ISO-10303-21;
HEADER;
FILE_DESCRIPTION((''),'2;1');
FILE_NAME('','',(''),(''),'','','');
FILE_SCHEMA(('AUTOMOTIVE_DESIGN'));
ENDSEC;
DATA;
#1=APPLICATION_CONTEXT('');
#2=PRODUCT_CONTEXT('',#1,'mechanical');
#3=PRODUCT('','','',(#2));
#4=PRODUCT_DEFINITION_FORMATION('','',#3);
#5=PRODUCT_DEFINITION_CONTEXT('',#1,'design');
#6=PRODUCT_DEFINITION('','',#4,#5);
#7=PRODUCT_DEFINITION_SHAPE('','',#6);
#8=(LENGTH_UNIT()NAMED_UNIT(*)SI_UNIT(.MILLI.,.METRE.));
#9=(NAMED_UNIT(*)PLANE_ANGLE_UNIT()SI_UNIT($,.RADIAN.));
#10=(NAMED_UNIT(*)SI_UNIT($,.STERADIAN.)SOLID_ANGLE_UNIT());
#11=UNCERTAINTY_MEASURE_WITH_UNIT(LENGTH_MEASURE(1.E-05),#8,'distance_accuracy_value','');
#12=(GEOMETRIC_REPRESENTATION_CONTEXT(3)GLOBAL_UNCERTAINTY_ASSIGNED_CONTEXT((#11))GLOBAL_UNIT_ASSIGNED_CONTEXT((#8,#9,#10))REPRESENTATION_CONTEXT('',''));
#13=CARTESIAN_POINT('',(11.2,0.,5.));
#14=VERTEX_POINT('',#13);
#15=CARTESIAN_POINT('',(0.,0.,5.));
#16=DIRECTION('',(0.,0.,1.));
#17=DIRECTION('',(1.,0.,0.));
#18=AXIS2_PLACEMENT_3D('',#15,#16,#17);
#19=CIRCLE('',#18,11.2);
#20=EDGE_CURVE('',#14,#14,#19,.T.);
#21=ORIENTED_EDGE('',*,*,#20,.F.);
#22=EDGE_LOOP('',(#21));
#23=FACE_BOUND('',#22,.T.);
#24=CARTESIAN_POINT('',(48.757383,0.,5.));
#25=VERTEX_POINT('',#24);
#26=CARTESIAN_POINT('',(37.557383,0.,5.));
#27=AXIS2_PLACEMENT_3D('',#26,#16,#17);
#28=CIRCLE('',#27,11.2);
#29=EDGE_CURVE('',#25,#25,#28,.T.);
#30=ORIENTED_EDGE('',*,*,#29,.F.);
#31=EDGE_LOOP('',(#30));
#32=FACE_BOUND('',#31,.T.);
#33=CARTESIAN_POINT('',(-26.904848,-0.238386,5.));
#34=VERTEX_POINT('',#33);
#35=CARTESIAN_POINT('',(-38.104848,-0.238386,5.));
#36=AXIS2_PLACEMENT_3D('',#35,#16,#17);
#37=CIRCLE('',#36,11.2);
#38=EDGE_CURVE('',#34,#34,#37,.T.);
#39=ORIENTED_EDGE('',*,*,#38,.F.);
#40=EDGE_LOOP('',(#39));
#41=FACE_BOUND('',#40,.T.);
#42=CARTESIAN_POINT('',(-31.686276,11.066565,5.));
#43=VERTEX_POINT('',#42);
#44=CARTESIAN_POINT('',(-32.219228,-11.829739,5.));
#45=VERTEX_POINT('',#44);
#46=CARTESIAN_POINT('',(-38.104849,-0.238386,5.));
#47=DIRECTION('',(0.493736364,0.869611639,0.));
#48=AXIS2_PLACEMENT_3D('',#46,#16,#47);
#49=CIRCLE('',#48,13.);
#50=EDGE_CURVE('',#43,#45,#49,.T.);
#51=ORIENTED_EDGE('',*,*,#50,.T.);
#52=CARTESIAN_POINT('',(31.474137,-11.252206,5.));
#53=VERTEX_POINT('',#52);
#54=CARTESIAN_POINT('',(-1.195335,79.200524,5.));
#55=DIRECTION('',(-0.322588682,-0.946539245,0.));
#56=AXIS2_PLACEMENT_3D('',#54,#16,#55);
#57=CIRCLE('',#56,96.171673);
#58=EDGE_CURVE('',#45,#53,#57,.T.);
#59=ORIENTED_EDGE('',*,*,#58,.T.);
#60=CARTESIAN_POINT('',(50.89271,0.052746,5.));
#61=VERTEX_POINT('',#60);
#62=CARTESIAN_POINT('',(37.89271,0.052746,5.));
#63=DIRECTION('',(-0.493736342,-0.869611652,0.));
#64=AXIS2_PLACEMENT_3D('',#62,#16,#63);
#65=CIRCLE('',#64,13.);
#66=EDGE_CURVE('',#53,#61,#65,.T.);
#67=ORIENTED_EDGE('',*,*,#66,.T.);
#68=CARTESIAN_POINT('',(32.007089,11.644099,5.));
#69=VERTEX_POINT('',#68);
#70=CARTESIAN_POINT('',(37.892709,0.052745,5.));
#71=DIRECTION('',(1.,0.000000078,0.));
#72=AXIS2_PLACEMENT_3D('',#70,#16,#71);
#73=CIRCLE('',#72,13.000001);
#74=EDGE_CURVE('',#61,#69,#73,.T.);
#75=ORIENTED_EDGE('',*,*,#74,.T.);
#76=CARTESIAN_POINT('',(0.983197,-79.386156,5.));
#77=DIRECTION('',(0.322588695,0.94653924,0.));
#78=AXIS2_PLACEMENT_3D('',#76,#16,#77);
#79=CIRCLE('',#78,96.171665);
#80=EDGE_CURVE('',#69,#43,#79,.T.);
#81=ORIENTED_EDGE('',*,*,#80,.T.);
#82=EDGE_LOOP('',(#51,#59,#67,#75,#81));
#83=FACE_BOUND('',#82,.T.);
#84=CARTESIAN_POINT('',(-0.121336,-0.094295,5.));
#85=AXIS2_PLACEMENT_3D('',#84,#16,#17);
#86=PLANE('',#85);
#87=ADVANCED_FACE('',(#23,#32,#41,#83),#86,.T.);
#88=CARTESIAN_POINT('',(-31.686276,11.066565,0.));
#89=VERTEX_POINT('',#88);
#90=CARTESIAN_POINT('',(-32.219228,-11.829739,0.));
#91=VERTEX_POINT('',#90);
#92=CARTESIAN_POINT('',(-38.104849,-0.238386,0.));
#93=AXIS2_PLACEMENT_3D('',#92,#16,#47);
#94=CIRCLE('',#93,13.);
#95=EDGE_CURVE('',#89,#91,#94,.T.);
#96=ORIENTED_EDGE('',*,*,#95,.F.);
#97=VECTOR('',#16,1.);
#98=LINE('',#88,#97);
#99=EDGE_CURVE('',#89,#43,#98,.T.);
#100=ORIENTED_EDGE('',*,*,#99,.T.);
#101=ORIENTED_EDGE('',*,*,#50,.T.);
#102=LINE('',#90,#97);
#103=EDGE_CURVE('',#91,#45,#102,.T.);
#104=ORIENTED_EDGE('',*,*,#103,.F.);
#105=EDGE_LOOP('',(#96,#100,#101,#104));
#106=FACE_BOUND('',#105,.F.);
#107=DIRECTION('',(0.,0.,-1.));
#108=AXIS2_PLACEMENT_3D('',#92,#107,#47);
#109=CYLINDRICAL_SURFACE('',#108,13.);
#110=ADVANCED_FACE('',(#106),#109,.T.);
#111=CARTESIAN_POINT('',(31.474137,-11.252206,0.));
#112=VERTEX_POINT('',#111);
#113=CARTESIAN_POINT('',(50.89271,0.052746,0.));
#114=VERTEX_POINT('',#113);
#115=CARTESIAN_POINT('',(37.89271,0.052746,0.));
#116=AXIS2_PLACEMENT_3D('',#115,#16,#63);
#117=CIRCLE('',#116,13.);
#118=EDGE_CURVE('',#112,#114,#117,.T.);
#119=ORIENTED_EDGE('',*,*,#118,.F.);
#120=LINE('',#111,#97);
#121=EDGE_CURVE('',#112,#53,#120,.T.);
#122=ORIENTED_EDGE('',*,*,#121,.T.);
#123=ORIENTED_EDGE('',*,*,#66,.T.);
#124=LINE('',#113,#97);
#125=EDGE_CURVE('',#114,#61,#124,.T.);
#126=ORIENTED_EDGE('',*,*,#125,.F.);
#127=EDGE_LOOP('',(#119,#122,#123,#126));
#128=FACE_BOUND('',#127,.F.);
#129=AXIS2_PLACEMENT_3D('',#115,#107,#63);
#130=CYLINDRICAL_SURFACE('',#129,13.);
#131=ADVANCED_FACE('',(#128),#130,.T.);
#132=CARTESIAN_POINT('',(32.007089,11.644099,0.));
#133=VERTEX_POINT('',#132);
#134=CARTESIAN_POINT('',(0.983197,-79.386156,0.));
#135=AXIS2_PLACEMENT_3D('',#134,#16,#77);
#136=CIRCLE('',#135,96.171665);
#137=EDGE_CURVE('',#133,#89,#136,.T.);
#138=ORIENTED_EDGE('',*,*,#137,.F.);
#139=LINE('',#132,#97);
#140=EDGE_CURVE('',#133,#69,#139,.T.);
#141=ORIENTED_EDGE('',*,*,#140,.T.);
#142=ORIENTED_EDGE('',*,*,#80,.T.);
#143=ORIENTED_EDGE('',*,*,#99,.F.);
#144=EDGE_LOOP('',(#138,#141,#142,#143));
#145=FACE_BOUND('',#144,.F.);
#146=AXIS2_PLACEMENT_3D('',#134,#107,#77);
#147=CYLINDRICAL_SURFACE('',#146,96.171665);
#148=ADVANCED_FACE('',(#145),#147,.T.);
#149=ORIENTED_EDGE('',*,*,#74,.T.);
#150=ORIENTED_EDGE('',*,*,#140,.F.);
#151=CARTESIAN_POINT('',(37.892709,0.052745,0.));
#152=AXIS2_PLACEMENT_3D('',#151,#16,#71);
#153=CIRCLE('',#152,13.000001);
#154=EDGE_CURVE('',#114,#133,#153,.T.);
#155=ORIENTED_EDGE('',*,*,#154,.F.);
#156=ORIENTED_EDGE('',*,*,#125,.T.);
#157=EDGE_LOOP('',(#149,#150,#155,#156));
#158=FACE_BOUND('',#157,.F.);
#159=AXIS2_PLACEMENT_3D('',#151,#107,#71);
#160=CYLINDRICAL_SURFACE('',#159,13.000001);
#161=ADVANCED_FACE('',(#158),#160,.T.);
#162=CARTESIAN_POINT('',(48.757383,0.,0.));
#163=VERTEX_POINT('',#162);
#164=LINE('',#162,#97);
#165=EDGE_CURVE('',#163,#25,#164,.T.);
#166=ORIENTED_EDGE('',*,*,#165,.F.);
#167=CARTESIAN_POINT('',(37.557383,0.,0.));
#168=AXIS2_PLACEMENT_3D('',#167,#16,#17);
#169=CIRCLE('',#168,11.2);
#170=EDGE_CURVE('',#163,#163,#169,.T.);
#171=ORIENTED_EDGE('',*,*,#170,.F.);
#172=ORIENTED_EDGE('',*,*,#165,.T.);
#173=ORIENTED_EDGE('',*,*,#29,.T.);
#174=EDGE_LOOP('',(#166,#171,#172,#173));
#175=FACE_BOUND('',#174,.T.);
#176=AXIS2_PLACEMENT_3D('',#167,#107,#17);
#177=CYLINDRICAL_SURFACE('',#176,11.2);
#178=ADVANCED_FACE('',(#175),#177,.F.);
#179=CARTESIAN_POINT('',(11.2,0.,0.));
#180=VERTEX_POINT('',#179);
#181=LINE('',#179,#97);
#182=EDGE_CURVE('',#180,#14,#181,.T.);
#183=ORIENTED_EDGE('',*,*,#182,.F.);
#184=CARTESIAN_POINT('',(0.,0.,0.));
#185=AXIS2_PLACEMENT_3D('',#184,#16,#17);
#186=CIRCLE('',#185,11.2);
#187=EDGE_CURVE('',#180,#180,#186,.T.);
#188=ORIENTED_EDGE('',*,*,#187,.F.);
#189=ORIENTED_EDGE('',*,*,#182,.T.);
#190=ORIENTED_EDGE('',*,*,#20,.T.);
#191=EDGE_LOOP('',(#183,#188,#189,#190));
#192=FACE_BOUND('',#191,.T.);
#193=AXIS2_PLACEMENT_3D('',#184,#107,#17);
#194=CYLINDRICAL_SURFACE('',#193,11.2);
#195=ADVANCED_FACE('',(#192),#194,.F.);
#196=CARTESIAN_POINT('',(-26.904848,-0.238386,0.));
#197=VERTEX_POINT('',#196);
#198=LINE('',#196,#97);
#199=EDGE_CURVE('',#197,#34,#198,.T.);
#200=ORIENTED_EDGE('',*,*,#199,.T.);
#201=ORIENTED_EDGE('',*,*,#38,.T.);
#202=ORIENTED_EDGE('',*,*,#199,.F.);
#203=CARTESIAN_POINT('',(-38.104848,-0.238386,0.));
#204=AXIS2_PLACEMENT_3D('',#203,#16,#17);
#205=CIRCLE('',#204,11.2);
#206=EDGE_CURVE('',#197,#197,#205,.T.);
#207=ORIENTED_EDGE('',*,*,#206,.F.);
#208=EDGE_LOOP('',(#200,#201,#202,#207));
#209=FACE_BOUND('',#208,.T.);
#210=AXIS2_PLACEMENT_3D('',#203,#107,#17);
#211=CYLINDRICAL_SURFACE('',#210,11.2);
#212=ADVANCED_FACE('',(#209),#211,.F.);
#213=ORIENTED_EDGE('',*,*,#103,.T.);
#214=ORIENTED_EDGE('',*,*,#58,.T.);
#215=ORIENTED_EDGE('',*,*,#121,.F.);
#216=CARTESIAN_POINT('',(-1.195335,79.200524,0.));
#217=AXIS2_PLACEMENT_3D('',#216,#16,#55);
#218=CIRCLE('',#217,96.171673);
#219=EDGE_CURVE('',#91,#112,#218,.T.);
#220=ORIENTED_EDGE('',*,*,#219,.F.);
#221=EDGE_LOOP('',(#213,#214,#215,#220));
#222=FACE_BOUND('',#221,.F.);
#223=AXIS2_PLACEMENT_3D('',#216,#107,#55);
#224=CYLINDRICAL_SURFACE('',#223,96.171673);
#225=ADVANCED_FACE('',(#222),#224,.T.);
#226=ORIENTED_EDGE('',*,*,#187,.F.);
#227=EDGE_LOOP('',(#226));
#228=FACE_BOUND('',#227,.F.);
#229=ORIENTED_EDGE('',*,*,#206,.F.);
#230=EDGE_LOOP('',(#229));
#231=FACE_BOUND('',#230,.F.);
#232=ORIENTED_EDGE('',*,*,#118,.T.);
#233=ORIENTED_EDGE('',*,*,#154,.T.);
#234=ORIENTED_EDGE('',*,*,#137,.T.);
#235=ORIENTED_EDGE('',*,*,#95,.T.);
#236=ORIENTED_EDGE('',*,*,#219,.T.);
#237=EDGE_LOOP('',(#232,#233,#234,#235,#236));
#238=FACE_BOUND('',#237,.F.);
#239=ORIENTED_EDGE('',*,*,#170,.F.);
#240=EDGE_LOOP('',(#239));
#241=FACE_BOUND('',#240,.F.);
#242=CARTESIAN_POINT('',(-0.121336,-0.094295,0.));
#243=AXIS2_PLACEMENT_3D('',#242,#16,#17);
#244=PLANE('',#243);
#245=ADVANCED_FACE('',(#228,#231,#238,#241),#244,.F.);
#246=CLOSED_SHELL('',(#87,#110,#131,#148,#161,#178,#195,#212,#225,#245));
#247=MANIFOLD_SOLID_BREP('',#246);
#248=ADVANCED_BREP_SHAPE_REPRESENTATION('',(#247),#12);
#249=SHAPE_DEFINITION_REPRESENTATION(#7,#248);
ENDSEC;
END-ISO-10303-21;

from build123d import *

# Parameters (mm, degrees)
F0_R     = 11.2
F1_DEPTH = 5


with BuildPart() as f1:
    # F0 (on Top) → F1 (new body)
    with BuildSketch(Plane.XY):
        with BuildLine():
            ThreePointArc((-31.686276, 11.066565), (-26.870049, 6.302201), (-25.104848, -0.238386))
            ThreePointArc((-25.104848, -0.238386), (-27.025294, -7.038641), (-32.219228, -11.829739))
            ThreePointArc((-32.219228, -11.829739), (-0.323343, -16.967196), (31.474137, -11.252206))
            ThreePointArc((31.474137, -11.252206), (24.89623, 0.355262), (32.007089, 11.644099))
            ThreePointArc((32.007089, 11.644099), (0.111205, 16.781556), (-31.686276, 11.066565))
        make_face()
        Circle(F0_R, mode=Mode.SUBTRACT)
        with BuildLine():
            ThreePointArc((-32.219228, -11.829739), (-27.025294, -7.038641), (-25.104848, -0.238386))
            ThreePointArc((-25.104848, -0.238386), (-26.870049, 6.302201), (-31.686276, 11.066565))
            ThreePointArc((-31.686276, 11.066565), (-51.101328, 0.06413), (-32.219228, -11.829739))
        make_face()
        with Locations((-38.104848, -0.238386)):
            Circle(F0_R, mode=Mode.SUBTRACT)
        with BuildLine():
            ThreePointArc((50.89271, 0.052746), (44.692965, 11.1323), (32.007089, 11.644099))
            ThreePointArc((32.007089, 11.644099), (24.89623, 0.355262), (31.474137, -11.252206))
            ThreePointArc((31.474137, -11.252206), (44.433297, -11.182054), (50.89271, 0.052746))
        make_face()
        with Locations((37.557383, 0)):
            Circle(F0_R, mode=Mode.SUBTRACT)
    extrude(amount=F1_DEPTH)


solid = f1.part
